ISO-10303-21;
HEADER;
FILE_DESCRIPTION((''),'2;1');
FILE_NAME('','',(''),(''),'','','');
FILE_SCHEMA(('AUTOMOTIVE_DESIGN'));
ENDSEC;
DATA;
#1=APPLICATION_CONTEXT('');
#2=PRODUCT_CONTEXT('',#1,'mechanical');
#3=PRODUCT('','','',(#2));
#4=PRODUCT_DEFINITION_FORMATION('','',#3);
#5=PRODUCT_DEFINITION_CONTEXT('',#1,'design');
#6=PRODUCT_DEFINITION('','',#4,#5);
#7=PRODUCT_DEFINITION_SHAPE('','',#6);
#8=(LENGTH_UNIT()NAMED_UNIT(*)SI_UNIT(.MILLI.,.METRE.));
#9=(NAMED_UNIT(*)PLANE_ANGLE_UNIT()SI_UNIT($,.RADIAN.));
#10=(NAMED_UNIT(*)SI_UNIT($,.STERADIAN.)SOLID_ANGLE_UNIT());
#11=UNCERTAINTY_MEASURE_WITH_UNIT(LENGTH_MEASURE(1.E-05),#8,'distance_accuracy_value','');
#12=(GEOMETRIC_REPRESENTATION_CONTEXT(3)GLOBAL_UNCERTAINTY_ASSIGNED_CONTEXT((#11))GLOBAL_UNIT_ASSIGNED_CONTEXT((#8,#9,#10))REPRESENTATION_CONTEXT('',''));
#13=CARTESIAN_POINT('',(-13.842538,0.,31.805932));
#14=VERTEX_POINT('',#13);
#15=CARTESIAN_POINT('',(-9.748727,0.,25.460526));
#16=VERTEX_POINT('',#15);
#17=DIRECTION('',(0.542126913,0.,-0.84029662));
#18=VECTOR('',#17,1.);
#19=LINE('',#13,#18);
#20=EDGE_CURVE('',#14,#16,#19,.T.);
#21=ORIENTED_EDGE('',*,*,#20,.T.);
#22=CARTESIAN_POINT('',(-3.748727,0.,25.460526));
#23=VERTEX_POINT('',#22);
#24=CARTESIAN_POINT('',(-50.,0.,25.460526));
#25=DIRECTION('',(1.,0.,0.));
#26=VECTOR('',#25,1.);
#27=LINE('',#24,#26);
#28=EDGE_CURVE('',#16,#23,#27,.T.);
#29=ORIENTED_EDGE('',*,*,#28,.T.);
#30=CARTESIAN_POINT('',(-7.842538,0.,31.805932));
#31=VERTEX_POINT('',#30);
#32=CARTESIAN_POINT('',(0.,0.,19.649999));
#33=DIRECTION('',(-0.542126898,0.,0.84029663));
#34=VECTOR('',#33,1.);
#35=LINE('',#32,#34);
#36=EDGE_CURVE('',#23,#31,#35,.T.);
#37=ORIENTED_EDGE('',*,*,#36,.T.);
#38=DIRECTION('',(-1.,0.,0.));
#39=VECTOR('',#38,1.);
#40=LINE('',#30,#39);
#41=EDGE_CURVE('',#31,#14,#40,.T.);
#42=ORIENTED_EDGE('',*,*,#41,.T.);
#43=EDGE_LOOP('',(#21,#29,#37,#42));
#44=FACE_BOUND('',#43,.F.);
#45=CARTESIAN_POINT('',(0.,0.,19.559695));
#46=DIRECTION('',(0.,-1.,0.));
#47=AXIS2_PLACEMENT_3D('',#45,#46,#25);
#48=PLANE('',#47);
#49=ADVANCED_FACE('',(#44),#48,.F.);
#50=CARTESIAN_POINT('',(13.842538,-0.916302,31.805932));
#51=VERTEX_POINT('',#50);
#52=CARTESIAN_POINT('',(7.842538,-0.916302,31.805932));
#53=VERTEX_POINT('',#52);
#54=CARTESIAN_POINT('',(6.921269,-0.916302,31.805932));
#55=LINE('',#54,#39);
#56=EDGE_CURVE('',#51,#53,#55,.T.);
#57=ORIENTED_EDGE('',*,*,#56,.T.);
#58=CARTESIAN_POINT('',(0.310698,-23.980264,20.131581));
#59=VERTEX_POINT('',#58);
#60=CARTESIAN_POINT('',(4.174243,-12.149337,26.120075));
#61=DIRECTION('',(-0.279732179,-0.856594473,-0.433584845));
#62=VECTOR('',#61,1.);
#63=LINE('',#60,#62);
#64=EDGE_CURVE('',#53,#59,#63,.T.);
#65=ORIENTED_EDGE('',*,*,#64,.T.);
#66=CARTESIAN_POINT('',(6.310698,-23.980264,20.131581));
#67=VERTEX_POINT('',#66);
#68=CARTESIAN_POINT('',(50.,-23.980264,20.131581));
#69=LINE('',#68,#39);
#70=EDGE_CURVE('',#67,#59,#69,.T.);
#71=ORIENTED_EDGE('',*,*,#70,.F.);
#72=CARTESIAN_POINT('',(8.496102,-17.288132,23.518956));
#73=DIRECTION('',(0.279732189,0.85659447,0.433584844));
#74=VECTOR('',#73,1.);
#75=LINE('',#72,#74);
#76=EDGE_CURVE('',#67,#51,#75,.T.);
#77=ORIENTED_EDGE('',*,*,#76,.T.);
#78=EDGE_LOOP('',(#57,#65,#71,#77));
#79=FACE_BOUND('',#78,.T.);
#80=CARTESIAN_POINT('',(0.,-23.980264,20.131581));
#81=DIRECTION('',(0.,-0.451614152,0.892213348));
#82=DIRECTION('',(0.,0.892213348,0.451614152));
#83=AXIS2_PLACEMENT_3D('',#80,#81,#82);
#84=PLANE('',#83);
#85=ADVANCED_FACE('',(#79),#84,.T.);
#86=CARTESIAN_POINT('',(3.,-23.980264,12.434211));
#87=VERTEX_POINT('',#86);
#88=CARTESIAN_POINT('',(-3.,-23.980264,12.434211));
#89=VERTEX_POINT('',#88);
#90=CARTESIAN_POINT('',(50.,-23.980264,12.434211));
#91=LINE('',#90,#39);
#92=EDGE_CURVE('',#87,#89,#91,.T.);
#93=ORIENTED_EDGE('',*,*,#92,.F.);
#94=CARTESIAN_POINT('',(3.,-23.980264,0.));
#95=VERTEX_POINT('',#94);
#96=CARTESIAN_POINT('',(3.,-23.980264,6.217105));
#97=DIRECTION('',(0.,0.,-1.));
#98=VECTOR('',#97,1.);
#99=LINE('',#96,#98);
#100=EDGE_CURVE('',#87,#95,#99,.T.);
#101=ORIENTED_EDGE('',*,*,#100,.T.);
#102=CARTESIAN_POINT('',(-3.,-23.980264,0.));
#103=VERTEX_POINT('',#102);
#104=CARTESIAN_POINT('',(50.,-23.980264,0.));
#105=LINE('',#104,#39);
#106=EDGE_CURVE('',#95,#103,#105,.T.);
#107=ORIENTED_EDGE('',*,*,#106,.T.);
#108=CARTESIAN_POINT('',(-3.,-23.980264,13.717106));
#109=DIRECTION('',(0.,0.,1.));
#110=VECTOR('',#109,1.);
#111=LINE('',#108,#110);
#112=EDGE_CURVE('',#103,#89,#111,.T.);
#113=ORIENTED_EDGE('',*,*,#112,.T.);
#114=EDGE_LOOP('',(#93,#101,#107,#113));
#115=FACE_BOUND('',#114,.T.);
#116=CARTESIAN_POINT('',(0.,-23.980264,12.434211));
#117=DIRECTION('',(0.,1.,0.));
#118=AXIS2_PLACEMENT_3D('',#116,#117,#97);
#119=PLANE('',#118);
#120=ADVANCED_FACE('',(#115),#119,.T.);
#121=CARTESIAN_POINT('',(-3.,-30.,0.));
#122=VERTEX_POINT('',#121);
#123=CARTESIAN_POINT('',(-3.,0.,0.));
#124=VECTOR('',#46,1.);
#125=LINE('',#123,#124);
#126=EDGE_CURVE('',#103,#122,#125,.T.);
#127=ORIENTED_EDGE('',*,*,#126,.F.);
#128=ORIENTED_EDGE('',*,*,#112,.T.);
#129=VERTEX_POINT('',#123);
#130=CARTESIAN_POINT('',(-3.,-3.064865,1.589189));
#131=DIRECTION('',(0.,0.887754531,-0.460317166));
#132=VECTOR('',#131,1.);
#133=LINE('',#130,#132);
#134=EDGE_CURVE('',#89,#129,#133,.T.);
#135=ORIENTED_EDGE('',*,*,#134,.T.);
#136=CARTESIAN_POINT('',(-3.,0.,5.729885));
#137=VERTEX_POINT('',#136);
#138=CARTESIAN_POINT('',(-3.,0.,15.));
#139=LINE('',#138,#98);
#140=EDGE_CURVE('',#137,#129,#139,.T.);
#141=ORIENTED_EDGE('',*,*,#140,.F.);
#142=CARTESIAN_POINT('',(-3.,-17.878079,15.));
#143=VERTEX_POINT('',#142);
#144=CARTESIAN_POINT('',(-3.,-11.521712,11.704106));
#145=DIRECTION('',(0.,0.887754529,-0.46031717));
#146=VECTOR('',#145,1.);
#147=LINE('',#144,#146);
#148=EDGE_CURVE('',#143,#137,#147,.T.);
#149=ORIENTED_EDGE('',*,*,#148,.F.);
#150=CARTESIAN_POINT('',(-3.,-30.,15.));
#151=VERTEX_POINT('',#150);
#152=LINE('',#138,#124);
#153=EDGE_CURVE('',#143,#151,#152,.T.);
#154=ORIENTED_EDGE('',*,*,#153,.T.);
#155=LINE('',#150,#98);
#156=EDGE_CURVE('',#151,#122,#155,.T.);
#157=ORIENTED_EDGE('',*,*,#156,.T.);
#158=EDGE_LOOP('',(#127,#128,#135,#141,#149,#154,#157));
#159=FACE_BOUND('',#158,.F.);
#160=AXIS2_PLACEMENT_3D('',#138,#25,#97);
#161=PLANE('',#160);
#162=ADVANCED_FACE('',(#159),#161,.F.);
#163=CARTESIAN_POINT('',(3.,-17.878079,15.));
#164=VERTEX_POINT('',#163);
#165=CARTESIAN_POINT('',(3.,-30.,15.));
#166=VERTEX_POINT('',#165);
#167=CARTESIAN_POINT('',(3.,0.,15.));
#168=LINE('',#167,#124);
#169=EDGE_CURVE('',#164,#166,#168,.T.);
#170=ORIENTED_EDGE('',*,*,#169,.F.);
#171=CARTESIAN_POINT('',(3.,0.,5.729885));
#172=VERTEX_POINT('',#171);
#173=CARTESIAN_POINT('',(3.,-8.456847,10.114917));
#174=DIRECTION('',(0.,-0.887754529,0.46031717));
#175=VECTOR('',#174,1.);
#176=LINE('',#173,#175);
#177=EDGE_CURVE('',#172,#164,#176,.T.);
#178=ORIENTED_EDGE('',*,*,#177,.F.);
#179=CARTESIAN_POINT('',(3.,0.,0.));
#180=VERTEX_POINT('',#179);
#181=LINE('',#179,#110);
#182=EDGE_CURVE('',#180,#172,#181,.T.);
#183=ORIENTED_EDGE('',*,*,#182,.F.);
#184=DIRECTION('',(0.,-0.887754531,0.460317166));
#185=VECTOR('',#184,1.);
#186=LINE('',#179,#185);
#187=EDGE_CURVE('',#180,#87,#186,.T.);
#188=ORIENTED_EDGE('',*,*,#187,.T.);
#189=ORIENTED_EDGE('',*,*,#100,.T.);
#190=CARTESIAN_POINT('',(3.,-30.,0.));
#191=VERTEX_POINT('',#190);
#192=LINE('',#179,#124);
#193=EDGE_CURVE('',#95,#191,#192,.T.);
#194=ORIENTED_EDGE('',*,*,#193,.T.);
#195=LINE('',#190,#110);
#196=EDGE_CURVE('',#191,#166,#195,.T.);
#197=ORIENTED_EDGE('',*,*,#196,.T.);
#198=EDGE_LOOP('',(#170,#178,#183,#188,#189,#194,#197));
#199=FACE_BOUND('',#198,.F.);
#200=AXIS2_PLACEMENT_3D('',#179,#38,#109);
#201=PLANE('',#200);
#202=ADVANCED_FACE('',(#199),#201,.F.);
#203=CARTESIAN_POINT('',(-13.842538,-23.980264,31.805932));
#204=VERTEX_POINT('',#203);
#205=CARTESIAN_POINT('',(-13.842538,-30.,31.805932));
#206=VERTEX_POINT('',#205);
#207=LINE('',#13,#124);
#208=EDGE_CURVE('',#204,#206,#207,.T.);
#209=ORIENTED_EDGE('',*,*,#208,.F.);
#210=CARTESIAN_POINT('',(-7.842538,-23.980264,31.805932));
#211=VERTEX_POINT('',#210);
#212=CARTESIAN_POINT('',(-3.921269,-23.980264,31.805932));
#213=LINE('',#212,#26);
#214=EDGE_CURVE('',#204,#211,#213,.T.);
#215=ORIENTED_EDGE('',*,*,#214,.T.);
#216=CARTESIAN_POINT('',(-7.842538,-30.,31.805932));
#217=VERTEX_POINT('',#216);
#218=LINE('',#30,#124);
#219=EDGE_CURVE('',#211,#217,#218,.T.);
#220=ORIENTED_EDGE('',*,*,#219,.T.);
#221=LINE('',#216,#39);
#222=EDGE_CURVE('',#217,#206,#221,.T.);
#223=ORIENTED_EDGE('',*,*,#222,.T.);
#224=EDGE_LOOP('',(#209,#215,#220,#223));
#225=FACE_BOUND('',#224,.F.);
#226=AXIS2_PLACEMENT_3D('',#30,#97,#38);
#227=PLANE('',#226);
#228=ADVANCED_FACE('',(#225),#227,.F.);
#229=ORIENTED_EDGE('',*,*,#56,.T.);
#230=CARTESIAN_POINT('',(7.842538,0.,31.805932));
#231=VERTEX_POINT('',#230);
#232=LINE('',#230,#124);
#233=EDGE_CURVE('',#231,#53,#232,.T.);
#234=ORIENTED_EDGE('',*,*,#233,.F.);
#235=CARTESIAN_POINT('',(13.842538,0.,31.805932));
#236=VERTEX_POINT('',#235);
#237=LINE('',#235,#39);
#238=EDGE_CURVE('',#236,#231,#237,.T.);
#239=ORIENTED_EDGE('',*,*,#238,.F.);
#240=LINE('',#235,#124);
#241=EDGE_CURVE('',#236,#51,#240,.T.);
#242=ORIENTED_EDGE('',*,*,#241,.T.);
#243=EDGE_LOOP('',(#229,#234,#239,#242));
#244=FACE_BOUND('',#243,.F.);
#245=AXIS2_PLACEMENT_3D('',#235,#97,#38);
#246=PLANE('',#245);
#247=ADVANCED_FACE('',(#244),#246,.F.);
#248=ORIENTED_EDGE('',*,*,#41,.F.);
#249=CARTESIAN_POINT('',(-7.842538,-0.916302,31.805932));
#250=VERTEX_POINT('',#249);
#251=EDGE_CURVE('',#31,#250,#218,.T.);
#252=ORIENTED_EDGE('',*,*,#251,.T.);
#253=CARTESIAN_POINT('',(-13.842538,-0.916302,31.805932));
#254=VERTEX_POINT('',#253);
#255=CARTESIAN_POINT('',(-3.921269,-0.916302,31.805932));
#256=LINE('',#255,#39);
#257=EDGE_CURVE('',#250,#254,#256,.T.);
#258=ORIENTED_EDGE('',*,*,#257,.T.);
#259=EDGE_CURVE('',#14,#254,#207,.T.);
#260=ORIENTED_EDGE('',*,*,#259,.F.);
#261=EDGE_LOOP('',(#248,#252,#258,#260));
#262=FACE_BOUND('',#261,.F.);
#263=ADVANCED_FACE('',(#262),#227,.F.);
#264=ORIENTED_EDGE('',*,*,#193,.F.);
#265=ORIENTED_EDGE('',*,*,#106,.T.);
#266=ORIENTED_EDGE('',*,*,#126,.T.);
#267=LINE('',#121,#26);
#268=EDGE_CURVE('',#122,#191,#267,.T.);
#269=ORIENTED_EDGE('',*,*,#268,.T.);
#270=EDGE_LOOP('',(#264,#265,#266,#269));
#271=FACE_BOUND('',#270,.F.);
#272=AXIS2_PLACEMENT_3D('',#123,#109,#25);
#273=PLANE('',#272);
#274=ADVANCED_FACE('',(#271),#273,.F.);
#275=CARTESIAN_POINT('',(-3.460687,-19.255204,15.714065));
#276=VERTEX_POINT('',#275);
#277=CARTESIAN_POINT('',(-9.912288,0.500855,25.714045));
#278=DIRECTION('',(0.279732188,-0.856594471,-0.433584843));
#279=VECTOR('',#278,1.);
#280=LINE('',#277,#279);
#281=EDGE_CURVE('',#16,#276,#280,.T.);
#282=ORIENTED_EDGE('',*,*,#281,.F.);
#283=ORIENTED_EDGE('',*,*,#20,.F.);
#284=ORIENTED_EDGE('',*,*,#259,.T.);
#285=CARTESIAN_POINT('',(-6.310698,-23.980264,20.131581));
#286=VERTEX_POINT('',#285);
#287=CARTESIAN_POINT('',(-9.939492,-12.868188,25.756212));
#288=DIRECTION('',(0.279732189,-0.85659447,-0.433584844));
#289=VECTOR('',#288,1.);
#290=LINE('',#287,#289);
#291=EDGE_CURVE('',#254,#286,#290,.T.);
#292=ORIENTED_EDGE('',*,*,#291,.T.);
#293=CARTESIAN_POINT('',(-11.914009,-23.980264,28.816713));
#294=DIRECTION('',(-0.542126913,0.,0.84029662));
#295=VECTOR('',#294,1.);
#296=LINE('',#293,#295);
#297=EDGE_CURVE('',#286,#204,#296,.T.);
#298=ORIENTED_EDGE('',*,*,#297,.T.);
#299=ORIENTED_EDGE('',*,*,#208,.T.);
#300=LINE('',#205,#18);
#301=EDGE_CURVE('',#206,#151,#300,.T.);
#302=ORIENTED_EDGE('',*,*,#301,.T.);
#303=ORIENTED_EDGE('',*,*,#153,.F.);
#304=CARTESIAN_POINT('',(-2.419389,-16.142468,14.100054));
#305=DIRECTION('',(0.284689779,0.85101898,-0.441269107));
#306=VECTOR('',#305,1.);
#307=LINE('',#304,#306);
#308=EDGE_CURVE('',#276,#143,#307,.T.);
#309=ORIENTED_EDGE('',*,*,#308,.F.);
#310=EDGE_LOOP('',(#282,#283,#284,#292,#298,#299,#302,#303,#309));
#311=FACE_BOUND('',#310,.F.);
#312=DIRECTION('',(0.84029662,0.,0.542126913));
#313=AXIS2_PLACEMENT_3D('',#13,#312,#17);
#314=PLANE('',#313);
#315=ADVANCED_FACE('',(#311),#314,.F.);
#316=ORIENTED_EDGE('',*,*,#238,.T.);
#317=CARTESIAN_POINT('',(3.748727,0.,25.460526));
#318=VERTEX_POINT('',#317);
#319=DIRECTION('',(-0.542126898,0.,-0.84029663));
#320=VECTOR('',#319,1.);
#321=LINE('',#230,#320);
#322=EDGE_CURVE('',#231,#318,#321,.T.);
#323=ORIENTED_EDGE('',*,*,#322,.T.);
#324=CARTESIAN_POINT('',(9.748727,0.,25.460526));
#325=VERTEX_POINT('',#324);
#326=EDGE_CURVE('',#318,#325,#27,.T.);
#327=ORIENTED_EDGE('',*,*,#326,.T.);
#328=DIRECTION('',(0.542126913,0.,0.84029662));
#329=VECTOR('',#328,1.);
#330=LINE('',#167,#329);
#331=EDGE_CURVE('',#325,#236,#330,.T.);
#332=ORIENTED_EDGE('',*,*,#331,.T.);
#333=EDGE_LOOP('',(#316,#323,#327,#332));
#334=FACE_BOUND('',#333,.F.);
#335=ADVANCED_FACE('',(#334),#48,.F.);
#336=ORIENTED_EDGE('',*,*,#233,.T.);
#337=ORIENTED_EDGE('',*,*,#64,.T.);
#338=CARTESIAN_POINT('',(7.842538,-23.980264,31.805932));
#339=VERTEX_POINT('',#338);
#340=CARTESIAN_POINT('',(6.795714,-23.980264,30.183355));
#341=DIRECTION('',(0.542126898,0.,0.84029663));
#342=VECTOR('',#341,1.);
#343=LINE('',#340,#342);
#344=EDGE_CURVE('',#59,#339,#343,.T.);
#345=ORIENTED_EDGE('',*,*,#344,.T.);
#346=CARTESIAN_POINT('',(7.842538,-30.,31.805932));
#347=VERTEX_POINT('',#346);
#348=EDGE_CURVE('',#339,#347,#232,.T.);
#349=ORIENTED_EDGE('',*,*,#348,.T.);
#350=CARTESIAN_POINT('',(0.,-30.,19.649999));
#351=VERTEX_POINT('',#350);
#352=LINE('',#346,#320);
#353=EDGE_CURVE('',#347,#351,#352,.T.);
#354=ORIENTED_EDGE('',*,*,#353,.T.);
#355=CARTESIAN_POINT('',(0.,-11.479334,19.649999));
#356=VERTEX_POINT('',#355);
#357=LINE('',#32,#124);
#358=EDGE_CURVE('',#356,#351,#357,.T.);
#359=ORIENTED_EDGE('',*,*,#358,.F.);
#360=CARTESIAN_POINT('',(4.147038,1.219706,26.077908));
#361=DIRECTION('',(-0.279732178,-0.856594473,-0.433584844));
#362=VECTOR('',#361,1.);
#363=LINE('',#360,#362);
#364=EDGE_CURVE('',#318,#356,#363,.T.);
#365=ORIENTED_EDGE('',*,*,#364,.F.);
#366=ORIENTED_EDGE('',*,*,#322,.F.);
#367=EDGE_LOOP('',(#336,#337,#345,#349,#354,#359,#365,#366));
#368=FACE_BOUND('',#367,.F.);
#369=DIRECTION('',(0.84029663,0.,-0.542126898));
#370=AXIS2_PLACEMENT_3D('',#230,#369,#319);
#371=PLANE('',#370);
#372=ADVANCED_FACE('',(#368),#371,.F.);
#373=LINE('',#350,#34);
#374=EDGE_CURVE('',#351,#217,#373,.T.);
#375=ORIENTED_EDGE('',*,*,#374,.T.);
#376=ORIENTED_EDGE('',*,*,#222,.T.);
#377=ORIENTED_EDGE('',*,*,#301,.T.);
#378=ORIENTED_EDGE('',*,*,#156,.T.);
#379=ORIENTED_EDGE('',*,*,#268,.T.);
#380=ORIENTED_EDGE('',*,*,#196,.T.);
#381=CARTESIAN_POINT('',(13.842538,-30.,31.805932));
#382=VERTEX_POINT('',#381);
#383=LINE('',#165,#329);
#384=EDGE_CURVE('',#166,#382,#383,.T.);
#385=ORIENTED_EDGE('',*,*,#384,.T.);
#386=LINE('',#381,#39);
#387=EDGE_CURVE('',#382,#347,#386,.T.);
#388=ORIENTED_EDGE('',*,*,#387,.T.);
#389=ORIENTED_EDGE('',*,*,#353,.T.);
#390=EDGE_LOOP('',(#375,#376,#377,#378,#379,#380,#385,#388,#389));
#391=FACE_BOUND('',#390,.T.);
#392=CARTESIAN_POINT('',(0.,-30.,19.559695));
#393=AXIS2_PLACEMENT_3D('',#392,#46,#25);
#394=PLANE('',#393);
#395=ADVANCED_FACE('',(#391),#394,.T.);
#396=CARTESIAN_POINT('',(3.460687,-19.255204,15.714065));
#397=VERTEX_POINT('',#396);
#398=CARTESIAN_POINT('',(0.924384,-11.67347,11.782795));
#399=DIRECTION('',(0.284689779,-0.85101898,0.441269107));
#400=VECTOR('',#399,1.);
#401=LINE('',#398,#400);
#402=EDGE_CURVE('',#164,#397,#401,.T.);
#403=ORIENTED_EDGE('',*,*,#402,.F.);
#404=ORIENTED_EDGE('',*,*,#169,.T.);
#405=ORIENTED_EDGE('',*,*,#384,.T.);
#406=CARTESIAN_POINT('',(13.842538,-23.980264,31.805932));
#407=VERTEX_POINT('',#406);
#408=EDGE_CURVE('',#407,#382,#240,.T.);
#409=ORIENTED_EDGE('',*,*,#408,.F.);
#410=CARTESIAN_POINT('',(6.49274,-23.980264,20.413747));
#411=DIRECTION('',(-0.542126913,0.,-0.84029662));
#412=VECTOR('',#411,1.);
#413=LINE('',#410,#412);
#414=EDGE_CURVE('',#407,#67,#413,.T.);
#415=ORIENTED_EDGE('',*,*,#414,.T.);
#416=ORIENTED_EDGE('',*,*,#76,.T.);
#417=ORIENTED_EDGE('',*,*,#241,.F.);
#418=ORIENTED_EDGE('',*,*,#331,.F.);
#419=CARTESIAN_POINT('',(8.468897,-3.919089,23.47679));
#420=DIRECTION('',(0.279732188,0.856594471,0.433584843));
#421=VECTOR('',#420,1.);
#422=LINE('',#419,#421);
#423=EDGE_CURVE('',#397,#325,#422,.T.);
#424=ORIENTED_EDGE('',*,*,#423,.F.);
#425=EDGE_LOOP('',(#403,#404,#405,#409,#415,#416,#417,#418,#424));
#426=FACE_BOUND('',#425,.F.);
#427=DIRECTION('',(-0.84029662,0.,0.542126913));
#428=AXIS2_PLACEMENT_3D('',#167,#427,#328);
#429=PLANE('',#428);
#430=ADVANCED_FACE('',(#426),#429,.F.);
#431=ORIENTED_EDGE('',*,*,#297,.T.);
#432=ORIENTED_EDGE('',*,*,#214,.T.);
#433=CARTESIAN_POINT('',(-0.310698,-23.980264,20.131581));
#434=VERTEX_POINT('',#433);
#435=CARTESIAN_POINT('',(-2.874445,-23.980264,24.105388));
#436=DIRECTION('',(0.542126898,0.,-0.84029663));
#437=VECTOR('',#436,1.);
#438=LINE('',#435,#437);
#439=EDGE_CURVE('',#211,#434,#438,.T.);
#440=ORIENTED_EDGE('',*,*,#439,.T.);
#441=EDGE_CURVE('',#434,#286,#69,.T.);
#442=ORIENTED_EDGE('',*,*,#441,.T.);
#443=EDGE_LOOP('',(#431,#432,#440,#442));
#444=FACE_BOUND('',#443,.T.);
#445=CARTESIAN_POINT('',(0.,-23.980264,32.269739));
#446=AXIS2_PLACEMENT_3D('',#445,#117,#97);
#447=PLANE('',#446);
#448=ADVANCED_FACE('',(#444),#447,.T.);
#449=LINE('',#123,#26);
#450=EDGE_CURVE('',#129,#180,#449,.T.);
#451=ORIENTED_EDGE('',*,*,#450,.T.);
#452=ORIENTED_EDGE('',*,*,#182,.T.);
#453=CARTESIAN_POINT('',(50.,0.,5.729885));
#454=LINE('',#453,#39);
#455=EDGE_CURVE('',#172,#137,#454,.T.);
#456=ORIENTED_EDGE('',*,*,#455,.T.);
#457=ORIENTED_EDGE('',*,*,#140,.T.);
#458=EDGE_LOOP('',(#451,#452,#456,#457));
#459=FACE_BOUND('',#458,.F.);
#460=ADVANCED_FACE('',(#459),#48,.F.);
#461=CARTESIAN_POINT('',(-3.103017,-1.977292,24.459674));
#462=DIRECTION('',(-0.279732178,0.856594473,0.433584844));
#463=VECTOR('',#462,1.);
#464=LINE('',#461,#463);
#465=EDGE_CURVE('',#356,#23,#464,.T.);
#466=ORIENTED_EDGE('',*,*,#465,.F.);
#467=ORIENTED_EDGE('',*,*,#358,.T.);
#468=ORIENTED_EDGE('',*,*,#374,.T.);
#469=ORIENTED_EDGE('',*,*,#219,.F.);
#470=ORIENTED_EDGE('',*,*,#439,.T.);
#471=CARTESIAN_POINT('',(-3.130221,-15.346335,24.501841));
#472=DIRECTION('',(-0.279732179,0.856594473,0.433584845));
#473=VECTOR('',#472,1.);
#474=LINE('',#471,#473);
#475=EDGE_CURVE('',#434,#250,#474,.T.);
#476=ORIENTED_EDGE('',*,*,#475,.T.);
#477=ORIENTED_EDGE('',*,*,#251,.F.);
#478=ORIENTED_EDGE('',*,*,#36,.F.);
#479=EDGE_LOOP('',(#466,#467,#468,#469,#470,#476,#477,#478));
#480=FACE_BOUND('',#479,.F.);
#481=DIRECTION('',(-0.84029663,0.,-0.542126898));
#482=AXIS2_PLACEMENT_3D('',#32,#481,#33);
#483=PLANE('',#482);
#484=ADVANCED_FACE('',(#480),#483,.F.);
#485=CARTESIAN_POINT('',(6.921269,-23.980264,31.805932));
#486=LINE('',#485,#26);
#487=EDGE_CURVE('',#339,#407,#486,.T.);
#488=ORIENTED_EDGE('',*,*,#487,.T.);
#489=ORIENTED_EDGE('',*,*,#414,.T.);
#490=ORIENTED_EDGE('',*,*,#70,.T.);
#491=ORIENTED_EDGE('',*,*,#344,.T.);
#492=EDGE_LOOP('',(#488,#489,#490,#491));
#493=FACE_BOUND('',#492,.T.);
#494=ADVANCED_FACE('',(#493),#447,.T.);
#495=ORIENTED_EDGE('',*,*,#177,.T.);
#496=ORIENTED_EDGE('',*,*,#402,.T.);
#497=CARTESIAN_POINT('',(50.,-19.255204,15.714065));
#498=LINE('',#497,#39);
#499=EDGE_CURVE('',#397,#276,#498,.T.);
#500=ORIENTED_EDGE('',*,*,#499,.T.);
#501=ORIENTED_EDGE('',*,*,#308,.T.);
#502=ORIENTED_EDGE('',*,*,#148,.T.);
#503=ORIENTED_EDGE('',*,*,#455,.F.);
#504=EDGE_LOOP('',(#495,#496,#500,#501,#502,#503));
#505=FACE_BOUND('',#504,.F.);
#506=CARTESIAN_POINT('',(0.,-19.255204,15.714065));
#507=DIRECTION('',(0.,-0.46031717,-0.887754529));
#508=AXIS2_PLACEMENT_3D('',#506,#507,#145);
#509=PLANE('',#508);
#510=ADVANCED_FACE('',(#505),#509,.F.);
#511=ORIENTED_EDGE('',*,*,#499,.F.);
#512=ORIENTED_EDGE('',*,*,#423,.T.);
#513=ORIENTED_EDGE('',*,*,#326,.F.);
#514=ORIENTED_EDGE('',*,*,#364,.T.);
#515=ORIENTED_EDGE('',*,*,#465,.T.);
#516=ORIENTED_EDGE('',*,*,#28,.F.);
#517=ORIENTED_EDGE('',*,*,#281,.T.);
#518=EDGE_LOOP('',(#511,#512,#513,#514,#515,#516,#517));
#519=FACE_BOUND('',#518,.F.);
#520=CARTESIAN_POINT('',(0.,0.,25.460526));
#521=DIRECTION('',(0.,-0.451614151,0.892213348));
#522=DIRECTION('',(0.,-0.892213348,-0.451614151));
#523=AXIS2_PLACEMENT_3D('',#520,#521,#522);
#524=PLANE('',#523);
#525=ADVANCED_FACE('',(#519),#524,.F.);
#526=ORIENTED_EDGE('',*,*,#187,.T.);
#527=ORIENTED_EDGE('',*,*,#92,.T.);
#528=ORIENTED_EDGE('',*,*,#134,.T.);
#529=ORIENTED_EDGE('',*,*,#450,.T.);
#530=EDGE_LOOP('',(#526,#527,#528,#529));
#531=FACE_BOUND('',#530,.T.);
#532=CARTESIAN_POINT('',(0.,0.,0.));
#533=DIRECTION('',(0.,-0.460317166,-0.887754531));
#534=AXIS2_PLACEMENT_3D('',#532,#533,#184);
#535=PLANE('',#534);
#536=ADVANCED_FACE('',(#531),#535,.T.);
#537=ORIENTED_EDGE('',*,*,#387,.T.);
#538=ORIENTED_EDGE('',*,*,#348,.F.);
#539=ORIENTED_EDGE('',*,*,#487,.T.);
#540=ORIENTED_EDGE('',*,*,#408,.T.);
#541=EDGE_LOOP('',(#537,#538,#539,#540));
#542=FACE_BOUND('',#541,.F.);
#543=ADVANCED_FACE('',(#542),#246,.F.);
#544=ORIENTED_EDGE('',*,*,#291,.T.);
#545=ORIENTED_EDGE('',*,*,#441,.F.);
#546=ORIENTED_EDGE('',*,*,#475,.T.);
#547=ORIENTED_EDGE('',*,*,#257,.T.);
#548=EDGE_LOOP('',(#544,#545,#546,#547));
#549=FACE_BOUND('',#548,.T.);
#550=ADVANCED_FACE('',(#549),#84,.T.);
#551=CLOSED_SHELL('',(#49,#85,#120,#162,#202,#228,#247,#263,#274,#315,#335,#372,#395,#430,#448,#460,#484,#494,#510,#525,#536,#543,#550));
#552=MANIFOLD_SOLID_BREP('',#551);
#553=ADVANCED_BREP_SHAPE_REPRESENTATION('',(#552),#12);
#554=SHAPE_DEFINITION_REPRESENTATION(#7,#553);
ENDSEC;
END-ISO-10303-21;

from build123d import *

# Parameters (mm, degrees)
F1_DEPTH = 30
F3_DEPTH = 50


with BuildPart() as f1:
    # F0 (on Front) → F1 (new body)
    with BuildSketch(Plane.XZ):
        Polygon((-3, 0), (0, 0), (3, 0), (3, 15), (13.842538, 31.805932), (7.842538, 31.805932), (0, 19.649999), (-7.842538, 31.805932), (-13.842538, 31.805932), (-3, 15), align=None)
    extrude(amount=F1_DEPTH)

    # F2 (on Right) → F3 (cut, symmetric)
    with BuildSketch(Plane.YZ):
        Polygon((-23.980264, 0), (0, 0), (-23.980264, 12.434211), align=None)
        Polygon((-23.980264, 20.131581), (0, 32.269739), (-23.980264, 32.269739), align=None)
        Polygon((0, 5.729885), (0, 25.460526), (-19.255204, 15.714065), align=None)
    extrude(amount=F3_DEPTH, both=True, mode=Mode.SUBTRACT)


solid = f1.part
